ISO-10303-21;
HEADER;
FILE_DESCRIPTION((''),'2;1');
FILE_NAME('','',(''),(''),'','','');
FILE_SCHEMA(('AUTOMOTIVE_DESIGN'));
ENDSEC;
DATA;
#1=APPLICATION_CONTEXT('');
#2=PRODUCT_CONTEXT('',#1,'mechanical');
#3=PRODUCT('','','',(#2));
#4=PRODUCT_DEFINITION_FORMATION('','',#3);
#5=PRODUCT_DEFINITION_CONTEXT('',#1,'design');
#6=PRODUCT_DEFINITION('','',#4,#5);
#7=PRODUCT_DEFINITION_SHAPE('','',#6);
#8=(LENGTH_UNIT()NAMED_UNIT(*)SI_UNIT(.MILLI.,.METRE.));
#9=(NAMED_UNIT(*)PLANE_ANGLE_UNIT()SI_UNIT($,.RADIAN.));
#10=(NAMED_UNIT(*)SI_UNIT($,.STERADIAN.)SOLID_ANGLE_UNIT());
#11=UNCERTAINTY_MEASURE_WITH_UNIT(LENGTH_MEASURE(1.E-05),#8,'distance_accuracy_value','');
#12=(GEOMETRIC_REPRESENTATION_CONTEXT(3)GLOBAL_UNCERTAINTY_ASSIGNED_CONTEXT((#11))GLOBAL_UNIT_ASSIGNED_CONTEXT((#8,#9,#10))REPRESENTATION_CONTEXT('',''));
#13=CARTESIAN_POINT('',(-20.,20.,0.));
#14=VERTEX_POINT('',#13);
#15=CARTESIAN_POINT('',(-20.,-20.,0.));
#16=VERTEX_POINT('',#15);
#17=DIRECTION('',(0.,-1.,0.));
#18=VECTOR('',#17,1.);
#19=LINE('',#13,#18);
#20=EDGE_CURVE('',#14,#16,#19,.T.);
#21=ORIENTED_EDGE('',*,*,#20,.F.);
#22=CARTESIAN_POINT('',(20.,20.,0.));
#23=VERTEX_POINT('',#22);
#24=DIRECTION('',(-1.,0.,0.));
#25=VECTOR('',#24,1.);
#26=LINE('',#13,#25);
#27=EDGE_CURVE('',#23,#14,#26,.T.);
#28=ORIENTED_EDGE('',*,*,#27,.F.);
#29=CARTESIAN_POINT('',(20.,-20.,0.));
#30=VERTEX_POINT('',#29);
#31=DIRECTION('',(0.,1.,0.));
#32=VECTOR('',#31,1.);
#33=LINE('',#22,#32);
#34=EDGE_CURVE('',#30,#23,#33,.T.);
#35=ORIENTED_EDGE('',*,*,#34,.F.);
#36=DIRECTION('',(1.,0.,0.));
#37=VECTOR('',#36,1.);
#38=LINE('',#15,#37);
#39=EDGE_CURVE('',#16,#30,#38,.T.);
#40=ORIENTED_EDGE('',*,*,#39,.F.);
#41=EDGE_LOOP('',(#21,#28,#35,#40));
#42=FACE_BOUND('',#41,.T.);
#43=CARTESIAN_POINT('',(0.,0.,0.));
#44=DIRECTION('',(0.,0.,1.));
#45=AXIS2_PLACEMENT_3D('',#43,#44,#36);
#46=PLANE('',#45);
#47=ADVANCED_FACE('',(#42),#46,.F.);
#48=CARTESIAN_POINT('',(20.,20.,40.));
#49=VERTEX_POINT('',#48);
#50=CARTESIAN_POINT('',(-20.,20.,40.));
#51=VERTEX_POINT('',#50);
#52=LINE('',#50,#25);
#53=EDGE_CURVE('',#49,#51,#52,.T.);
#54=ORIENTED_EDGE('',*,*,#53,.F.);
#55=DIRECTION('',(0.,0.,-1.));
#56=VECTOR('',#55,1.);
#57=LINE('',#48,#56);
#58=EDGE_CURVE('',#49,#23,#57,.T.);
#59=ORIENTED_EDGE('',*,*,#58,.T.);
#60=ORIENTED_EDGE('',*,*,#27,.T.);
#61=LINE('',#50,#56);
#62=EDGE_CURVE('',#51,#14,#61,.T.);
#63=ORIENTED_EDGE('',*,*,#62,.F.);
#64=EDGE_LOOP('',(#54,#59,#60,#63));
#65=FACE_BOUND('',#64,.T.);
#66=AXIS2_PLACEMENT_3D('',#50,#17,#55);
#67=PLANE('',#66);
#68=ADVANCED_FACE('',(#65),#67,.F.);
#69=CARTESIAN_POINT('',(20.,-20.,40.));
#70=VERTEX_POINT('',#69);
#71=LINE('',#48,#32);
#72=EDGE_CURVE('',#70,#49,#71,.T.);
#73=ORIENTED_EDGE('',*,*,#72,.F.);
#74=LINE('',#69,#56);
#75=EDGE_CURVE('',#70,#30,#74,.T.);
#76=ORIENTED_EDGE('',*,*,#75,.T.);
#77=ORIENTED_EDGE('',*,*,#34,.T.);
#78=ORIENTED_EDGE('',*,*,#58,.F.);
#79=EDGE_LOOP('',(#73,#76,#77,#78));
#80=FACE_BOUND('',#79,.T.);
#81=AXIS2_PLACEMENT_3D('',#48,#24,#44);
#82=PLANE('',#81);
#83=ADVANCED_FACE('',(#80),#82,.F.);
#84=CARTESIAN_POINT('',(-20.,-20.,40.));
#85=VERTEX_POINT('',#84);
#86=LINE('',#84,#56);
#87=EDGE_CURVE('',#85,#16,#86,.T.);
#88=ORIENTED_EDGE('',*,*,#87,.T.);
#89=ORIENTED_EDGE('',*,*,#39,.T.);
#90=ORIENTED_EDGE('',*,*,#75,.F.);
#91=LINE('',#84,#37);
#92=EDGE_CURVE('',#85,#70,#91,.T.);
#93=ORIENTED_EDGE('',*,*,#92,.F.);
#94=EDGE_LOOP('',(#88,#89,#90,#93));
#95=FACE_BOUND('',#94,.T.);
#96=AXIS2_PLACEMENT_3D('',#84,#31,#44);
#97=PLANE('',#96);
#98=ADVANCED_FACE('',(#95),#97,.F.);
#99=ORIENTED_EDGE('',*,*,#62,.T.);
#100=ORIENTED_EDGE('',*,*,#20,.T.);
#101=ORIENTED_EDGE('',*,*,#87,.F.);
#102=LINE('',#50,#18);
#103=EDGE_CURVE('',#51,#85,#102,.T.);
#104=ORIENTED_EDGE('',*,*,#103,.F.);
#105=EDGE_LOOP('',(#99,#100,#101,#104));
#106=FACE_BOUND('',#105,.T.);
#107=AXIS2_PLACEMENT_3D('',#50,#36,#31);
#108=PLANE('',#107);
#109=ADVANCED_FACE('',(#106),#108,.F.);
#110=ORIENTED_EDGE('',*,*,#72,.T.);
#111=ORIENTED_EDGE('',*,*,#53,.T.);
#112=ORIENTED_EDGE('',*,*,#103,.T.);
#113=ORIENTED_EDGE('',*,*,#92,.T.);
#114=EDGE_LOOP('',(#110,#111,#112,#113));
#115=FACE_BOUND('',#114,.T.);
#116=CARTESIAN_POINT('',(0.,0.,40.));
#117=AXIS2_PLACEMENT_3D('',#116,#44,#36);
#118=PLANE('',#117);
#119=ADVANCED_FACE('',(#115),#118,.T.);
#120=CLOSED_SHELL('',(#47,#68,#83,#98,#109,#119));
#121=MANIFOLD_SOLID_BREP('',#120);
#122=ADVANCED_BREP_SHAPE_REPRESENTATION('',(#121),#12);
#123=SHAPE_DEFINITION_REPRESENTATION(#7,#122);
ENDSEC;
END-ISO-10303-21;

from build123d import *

# Parameters (mm, degrees)
SKETCH2_W           = 40
SKETCH2_H           = 40
BOSS_EXTRUDE1_DEPTH = 40


with BuildPart() as part:
    # Sketch2 → Boss-Extrude1 (new body)
    with BuildSketch(Plane.XY):
        Rectangle(SKETCH2_W, SKETCH2_H)
    extrude(amount=BOSS_EXTRUDE1_DEPTH)


solid = part.part
